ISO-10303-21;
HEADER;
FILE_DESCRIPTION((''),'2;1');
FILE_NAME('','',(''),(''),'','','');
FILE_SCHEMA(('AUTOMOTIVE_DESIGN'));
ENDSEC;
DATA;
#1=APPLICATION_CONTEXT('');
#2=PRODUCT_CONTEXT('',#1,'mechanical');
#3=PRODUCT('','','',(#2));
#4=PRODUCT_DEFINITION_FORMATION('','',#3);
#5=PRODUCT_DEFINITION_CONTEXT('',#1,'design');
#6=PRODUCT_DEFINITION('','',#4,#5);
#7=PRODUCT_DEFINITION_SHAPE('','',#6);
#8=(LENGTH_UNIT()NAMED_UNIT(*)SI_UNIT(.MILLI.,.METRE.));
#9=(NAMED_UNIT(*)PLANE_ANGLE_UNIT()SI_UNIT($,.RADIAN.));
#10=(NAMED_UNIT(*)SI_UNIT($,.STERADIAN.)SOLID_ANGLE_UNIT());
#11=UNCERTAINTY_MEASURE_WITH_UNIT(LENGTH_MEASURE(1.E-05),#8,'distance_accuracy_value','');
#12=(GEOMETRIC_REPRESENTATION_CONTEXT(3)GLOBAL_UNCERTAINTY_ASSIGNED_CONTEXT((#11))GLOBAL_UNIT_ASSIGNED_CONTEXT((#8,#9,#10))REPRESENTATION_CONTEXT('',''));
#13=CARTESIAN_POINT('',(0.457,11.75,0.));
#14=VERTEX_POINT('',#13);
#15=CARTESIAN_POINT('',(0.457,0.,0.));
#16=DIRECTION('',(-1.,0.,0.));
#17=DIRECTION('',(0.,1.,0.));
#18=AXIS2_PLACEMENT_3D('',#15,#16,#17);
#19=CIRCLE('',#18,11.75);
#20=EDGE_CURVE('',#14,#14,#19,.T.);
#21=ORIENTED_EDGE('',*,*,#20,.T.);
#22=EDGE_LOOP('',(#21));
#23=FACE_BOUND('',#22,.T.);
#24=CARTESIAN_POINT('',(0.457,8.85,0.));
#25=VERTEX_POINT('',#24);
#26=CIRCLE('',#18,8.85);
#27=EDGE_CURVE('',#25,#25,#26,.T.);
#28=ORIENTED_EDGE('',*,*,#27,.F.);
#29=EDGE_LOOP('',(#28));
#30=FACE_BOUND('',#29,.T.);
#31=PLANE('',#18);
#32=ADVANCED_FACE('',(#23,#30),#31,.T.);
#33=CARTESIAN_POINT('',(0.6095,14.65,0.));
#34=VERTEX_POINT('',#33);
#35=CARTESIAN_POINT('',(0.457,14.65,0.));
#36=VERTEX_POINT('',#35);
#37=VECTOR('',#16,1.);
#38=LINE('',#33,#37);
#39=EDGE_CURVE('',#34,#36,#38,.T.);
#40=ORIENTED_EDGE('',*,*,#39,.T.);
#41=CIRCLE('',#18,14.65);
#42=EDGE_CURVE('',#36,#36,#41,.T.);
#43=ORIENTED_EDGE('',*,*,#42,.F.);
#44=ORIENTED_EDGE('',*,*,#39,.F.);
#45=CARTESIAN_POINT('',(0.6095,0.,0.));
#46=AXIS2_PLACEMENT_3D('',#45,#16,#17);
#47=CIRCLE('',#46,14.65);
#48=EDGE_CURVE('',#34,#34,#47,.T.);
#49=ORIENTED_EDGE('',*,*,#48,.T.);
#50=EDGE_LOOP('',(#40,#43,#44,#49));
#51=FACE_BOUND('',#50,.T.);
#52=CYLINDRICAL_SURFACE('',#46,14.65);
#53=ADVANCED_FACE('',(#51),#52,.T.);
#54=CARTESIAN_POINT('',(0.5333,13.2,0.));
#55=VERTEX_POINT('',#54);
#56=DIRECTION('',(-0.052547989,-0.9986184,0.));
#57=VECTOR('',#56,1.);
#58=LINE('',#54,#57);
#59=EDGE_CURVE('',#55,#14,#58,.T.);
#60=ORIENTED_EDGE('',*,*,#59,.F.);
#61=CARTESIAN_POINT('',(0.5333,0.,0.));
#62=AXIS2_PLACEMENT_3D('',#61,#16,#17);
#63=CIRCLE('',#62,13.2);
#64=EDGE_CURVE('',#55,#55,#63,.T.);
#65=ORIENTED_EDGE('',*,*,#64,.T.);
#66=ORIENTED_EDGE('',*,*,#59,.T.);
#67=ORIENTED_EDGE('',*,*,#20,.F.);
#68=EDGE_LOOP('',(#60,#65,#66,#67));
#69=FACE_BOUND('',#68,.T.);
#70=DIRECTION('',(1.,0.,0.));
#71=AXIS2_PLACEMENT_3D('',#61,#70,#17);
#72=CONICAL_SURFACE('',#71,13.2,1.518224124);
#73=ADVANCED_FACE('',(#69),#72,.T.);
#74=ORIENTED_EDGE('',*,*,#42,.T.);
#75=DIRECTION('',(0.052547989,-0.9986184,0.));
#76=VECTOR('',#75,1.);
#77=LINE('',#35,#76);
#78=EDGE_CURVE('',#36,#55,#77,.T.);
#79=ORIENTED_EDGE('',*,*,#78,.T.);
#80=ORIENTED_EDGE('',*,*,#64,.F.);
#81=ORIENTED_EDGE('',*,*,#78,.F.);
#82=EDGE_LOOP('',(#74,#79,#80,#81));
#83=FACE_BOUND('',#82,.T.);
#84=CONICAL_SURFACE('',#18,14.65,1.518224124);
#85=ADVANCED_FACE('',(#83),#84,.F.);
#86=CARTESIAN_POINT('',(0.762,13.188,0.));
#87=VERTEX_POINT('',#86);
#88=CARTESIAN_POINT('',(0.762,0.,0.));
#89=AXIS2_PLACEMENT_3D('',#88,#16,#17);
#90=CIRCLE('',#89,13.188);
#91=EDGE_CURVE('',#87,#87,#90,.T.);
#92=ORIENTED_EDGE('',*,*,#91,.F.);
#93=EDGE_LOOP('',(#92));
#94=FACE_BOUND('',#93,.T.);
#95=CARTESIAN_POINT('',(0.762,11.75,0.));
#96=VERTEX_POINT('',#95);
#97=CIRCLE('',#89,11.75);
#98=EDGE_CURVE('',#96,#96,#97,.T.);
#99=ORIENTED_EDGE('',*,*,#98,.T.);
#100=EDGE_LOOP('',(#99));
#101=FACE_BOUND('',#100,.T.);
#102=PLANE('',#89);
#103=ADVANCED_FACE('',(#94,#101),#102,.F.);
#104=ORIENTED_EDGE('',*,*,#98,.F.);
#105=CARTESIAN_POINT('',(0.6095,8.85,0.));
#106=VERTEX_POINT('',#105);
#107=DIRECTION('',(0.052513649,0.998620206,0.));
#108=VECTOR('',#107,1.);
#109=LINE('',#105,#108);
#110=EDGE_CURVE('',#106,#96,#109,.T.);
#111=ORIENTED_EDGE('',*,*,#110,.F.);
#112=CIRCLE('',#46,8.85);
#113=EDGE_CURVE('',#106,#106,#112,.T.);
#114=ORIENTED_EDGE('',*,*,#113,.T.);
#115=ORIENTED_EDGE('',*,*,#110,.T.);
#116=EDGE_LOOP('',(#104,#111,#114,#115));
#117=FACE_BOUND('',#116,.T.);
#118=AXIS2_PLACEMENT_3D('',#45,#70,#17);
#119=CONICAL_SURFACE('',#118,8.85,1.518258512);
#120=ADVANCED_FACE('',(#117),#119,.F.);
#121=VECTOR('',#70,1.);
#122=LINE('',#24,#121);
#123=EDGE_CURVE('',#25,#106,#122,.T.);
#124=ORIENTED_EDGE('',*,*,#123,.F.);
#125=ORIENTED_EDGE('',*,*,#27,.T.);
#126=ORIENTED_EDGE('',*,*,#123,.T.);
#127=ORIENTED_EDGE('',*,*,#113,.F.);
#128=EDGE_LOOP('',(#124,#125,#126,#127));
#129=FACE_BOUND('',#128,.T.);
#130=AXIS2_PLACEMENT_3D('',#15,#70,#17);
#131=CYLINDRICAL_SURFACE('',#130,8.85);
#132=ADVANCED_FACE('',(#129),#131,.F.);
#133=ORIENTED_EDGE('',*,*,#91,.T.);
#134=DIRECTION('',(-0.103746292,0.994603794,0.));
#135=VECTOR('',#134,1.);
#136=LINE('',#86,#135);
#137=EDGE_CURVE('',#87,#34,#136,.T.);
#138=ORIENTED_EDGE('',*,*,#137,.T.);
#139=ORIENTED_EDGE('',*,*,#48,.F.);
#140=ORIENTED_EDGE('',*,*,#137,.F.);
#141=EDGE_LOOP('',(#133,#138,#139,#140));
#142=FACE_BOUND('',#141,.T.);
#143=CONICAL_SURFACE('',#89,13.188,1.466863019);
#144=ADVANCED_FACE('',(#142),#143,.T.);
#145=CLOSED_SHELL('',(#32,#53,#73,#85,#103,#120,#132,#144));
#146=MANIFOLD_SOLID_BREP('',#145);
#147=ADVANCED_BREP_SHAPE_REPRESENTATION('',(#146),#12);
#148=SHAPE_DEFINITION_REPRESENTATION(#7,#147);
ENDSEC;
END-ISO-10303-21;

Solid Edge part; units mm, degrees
sketch "Sketch1" plane through (0, 0, 0) normal (0, 0, 1) x (1, 0, 0)
  line L0 (0.457, 8.85) -> (0.6095, 8.85)
  line L1 (0.6095, 8.85) -> (0.762, 11.75)
  line L2 (0.762, 11.75) -> (0.762, 13.188)
  line L3 (0.762, 13.188) -> (0.6095, 14.65)
  line L4 (0.6095, 14.65) -> (0.457, 14.65)
  line L5 (0.457, 14.65) -> (0.5333, 13.2)
  line L6 (0.5333, 13.2) -> (0.457, 11.75)
  line L7 (0.457, 11.75) -> (0.457, 8.85)
revolve "RevolvedProtrusion1" add sketch "Sketch1" angle 360 about axis through (0.6095, 0, 0) along (-1, 0, 0)
properties material "Steel"
